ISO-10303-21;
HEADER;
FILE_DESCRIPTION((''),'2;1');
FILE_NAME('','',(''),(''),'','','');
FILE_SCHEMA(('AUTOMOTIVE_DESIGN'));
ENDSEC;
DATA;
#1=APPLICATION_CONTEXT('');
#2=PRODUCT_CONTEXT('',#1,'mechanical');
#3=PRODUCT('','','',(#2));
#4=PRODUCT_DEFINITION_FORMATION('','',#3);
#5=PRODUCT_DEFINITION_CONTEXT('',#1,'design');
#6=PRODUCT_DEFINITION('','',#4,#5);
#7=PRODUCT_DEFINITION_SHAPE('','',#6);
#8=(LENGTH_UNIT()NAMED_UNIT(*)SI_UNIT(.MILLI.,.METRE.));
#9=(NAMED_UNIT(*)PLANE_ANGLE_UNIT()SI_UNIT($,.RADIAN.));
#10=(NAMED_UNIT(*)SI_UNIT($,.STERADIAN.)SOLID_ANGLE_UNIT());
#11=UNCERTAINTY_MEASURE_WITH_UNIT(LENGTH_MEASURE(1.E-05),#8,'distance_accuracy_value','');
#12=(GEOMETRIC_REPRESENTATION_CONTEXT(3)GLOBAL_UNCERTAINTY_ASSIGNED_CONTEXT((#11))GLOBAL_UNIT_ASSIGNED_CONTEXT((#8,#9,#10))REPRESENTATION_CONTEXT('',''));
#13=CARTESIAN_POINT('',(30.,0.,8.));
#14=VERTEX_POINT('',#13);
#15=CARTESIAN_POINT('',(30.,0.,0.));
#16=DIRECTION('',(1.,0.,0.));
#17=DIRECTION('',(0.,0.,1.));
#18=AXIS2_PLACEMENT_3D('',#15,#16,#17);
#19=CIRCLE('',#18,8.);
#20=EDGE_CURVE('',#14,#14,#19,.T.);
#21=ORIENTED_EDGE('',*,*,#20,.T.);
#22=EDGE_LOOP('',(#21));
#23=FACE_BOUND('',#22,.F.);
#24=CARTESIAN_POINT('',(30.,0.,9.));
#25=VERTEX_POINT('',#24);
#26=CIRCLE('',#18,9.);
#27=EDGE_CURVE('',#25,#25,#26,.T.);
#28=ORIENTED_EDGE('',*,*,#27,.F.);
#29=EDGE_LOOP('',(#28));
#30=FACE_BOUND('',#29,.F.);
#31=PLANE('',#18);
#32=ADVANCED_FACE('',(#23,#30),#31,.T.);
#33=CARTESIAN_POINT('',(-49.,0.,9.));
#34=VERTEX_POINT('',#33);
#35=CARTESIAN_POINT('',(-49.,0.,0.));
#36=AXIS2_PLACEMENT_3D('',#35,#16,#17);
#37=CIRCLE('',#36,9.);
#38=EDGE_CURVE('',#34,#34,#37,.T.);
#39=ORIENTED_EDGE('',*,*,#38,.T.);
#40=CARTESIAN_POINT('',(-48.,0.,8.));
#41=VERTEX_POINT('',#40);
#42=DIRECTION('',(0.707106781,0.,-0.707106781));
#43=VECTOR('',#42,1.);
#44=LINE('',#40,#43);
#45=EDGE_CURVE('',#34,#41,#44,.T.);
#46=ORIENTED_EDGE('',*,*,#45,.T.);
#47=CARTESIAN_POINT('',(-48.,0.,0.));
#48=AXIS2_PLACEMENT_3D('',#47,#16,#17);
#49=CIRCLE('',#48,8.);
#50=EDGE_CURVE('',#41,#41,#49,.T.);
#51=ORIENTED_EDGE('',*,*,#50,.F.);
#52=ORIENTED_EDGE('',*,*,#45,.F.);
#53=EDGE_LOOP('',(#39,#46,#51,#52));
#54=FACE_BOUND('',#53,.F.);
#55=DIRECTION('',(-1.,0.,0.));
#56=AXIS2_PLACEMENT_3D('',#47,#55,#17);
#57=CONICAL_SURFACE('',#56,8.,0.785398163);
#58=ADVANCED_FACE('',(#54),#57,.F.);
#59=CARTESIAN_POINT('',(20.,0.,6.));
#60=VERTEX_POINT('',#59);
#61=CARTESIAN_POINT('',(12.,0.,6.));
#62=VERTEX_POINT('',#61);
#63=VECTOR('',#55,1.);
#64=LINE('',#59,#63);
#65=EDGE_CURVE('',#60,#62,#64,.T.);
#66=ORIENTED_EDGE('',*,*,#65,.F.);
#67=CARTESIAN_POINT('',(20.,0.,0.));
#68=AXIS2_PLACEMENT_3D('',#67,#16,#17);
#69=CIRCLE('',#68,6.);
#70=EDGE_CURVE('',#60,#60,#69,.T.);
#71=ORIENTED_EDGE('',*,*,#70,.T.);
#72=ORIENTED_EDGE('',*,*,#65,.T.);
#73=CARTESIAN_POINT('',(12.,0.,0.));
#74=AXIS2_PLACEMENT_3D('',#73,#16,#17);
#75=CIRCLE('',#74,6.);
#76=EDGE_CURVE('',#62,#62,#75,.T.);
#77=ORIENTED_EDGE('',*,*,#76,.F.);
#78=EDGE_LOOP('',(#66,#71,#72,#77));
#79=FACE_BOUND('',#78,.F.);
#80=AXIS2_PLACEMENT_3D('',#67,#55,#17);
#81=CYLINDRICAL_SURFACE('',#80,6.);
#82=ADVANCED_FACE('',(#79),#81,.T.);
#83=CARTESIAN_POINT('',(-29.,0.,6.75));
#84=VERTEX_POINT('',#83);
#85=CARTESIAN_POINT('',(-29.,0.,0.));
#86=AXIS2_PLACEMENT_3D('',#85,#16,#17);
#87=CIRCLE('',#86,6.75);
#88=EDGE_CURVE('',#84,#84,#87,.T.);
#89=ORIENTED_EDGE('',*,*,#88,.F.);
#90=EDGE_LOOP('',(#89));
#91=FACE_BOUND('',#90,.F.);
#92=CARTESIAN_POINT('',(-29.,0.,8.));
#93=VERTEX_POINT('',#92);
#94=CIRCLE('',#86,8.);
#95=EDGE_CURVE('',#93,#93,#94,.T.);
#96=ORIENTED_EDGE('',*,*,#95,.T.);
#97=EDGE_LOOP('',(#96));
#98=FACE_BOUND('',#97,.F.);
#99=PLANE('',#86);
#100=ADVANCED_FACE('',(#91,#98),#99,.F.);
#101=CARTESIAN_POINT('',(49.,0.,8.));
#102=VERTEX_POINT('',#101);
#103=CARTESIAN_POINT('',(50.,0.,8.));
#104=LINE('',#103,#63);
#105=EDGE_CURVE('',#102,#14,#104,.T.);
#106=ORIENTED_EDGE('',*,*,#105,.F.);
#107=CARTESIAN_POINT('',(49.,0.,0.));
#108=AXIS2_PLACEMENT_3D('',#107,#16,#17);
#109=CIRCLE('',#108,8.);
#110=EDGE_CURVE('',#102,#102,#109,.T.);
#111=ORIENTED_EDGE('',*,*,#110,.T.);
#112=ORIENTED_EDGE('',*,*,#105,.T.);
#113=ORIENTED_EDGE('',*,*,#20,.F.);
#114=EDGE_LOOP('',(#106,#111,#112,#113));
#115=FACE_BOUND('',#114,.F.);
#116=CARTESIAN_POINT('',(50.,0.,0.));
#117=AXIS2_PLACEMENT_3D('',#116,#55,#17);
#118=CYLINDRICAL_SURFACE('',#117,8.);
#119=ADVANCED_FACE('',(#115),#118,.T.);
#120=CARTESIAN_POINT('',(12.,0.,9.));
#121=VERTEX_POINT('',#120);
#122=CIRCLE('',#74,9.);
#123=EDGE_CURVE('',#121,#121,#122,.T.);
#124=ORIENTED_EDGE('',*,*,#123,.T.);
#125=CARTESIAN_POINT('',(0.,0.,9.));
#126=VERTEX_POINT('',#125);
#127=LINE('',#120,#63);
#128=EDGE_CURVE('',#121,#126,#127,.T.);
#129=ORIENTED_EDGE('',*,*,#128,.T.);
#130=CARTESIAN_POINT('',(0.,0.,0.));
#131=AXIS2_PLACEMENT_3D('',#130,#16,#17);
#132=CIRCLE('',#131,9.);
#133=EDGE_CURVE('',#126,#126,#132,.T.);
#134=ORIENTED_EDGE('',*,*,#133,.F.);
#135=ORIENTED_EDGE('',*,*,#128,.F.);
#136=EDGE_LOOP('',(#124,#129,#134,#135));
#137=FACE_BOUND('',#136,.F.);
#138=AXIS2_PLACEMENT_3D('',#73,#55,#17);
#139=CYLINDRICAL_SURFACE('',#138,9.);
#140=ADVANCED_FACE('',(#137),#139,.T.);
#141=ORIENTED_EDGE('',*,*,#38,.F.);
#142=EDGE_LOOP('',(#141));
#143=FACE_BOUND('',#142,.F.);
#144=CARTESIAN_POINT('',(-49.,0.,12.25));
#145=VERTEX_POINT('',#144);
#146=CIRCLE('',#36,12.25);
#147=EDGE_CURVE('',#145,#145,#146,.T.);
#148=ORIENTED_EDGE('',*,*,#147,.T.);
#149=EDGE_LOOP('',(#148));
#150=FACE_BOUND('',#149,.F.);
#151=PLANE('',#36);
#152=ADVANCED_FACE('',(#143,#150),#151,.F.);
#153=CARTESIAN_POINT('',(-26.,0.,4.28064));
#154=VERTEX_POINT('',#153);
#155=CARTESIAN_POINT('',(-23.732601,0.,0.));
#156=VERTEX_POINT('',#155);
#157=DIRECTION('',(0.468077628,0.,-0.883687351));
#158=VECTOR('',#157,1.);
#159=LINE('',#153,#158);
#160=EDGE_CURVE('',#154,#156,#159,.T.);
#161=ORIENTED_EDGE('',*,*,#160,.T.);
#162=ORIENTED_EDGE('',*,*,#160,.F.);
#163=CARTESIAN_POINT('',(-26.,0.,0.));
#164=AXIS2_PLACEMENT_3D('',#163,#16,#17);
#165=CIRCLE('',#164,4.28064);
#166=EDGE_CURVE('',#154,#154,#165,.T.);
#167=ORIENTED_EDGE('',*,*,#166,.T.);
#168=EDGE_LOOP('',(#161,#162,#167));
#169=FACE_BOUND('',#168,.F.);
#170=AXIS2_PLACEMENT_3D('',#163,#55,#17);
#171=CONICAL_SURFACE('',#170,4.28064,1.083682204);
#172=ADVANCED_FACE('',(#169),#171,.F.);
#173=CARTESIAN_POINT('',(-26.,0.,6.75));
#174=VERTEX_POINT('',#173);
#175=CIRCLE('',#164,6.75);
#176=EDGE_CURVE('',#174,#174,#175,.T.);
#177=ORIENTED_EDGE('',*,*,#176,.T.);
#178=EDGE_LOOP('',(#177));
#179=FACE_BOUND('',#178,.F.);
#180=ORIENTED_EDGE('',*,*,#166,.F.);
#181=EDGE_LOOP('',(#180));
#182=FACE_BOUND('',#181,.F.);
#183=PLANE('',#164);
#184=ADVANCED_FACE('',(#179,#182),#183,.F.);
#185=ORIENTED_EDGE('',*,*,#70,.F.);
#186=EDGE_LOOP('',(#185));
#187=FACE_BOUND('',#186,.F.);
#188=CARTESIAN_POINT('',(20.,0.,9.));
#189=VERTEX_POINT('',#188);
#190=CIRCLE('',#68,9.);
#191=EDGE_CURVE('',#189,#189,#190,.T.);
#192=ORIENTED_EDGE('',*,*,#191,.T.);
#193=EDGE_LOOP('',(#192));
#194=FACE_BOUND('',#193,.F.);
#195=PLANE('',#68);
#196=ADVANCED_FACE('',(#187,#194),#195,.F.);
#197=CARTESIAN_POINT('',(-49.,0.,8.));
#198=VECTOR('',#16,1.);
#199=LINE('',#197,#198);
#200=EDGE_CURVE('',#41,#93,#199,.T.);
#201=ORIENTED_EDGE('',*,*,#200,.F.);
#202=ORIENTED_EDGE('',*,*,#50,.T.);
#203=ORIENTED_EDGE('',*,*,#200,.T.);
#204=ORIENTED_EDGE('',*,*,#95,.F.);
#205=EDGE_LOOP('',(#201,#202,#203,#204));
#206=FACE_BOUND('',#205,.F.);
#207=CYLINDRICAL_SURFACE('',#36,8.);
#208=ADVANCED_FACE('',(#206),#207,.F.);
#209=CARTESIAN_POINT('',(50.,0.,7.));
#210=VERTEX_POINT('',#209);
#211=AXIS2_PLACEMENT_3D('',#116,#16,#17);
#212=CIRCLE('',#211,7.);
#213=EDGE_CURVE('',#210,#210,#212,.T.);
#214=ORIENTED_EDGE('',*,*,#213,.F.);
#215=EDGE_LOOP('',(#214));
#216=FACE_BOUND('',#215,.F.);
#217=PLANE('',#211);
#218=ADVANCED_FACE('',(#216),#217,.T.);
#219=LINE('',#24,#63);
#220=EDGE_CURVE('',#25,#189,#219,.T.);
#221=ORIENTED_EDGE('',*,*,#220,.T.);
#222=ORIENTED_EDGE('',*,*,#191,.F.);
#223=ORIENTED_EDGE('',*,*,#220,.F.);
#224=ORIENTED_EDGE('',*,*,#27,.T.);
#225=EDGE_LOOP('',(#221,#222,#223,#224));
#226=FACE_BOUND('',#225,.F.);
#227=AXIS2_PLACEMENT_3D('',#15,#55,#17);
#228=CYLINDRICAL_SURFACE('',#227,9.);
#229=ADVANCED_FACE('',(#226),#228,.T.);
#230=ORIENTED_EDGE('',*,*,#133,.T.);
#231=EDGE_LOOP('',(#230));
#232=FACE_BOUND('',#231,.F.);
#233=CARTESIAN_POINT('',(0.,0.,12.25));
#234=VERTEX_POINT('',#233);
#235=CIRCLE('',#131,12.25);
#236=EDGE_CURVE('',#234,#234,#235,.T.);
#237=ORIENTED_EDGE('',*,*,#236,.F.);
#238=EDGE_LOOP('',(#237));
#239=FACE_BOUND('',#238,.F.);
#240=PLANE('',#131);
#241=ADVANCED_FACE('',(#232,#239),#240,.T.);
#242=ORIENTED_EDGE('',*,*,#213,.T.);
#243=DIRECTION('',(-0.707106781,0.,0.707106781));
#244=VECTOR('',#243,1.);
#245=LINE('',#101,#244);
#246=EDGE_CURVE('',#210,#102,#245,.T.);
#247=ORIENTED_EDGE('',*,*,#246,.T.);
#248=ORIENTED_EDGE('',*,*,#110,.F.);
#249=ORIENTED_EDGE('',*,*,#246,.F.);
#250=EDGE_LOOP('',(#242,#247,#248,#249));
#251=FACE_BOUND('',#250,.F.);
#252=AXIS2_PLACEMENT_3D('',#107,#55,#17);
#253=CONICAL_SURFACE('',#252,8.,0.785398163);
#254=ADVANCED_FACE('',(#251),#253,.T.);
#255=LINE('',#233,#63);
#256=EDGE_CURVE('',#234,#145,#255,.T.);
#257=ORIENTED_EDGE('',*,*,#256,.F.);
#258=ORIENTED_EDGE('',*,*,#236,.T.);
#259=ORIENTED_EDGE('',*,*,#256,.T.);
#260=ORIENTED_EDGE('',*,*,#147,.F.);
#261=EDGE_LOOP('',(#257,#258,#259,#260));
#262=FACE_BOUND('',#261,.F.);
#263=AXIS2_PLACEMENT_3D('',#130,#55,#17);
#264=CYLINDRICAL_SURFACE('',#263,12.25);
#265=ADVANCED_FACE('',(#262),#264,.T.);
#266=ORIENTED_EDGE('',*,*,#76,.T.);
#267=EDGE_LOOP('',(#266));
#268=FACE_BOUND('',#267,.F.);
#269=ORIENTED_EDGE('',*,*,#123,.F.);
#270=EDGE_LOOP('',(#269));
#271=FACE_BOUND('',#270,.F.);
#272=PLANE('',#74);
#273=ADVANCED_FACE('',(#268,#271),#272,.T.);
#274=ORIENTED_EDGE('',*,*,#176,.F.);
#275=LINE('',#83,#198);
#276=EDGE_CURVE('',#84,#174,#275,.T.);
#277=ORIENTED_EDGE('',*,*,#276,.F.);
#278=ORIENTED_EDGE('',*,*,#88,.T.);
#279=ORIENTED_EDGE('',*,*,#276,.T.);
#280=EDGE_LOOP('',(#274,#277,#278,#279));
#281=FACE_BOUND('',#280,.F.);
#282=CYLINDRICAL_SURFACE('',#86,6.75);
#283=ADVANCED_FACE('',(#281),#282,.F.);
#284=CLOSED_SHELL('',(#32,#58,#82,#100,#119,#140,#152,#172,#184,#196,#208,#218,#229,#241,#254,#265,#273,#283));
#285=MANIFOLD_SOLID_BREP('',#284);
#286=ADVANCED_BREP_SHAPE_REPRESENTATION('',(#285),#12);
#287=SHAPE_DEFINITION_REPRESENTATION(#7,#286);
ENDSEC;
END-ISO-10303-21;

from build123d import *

# Parameters (mm, degrees)
F2_SIZE = 1
F3_SIZE = 1


with BuildPart() as f1:
    # F0 (on Front) → F1 (revolve)
    with BuildSketch(Plane.XZ):
        Polygon((-49, 8), (-29, 8), (-29, 6.75), (-26, 6.75), (-26, 4.28064), (-23.732601, 0), (50, 0), (50, 8), (30, 8), (30, 9), (20, 9), (20, 6), (12, 6), (12, 9), (0, 9), (0, 12.25), (-49, 12.25), align=None)
    revolve(axis=Axis((13.1337, 0, 0), (1, 0, 0)))

    # F2
    f2_edges = [f1.edges().sort_by_distance(p)[0] for p in [
        (50, 0, -8),
    ]]
    chamfer(f2_edges, length=F2_SIZE)

    # F3
    f3_edges = [f1.edges().sort_by_distance(p)[0] for p in [
        (-49, 0, -8),
    ]]
    chamfer(f3_edges, length=F3_SIZE)


solid = f1.part
